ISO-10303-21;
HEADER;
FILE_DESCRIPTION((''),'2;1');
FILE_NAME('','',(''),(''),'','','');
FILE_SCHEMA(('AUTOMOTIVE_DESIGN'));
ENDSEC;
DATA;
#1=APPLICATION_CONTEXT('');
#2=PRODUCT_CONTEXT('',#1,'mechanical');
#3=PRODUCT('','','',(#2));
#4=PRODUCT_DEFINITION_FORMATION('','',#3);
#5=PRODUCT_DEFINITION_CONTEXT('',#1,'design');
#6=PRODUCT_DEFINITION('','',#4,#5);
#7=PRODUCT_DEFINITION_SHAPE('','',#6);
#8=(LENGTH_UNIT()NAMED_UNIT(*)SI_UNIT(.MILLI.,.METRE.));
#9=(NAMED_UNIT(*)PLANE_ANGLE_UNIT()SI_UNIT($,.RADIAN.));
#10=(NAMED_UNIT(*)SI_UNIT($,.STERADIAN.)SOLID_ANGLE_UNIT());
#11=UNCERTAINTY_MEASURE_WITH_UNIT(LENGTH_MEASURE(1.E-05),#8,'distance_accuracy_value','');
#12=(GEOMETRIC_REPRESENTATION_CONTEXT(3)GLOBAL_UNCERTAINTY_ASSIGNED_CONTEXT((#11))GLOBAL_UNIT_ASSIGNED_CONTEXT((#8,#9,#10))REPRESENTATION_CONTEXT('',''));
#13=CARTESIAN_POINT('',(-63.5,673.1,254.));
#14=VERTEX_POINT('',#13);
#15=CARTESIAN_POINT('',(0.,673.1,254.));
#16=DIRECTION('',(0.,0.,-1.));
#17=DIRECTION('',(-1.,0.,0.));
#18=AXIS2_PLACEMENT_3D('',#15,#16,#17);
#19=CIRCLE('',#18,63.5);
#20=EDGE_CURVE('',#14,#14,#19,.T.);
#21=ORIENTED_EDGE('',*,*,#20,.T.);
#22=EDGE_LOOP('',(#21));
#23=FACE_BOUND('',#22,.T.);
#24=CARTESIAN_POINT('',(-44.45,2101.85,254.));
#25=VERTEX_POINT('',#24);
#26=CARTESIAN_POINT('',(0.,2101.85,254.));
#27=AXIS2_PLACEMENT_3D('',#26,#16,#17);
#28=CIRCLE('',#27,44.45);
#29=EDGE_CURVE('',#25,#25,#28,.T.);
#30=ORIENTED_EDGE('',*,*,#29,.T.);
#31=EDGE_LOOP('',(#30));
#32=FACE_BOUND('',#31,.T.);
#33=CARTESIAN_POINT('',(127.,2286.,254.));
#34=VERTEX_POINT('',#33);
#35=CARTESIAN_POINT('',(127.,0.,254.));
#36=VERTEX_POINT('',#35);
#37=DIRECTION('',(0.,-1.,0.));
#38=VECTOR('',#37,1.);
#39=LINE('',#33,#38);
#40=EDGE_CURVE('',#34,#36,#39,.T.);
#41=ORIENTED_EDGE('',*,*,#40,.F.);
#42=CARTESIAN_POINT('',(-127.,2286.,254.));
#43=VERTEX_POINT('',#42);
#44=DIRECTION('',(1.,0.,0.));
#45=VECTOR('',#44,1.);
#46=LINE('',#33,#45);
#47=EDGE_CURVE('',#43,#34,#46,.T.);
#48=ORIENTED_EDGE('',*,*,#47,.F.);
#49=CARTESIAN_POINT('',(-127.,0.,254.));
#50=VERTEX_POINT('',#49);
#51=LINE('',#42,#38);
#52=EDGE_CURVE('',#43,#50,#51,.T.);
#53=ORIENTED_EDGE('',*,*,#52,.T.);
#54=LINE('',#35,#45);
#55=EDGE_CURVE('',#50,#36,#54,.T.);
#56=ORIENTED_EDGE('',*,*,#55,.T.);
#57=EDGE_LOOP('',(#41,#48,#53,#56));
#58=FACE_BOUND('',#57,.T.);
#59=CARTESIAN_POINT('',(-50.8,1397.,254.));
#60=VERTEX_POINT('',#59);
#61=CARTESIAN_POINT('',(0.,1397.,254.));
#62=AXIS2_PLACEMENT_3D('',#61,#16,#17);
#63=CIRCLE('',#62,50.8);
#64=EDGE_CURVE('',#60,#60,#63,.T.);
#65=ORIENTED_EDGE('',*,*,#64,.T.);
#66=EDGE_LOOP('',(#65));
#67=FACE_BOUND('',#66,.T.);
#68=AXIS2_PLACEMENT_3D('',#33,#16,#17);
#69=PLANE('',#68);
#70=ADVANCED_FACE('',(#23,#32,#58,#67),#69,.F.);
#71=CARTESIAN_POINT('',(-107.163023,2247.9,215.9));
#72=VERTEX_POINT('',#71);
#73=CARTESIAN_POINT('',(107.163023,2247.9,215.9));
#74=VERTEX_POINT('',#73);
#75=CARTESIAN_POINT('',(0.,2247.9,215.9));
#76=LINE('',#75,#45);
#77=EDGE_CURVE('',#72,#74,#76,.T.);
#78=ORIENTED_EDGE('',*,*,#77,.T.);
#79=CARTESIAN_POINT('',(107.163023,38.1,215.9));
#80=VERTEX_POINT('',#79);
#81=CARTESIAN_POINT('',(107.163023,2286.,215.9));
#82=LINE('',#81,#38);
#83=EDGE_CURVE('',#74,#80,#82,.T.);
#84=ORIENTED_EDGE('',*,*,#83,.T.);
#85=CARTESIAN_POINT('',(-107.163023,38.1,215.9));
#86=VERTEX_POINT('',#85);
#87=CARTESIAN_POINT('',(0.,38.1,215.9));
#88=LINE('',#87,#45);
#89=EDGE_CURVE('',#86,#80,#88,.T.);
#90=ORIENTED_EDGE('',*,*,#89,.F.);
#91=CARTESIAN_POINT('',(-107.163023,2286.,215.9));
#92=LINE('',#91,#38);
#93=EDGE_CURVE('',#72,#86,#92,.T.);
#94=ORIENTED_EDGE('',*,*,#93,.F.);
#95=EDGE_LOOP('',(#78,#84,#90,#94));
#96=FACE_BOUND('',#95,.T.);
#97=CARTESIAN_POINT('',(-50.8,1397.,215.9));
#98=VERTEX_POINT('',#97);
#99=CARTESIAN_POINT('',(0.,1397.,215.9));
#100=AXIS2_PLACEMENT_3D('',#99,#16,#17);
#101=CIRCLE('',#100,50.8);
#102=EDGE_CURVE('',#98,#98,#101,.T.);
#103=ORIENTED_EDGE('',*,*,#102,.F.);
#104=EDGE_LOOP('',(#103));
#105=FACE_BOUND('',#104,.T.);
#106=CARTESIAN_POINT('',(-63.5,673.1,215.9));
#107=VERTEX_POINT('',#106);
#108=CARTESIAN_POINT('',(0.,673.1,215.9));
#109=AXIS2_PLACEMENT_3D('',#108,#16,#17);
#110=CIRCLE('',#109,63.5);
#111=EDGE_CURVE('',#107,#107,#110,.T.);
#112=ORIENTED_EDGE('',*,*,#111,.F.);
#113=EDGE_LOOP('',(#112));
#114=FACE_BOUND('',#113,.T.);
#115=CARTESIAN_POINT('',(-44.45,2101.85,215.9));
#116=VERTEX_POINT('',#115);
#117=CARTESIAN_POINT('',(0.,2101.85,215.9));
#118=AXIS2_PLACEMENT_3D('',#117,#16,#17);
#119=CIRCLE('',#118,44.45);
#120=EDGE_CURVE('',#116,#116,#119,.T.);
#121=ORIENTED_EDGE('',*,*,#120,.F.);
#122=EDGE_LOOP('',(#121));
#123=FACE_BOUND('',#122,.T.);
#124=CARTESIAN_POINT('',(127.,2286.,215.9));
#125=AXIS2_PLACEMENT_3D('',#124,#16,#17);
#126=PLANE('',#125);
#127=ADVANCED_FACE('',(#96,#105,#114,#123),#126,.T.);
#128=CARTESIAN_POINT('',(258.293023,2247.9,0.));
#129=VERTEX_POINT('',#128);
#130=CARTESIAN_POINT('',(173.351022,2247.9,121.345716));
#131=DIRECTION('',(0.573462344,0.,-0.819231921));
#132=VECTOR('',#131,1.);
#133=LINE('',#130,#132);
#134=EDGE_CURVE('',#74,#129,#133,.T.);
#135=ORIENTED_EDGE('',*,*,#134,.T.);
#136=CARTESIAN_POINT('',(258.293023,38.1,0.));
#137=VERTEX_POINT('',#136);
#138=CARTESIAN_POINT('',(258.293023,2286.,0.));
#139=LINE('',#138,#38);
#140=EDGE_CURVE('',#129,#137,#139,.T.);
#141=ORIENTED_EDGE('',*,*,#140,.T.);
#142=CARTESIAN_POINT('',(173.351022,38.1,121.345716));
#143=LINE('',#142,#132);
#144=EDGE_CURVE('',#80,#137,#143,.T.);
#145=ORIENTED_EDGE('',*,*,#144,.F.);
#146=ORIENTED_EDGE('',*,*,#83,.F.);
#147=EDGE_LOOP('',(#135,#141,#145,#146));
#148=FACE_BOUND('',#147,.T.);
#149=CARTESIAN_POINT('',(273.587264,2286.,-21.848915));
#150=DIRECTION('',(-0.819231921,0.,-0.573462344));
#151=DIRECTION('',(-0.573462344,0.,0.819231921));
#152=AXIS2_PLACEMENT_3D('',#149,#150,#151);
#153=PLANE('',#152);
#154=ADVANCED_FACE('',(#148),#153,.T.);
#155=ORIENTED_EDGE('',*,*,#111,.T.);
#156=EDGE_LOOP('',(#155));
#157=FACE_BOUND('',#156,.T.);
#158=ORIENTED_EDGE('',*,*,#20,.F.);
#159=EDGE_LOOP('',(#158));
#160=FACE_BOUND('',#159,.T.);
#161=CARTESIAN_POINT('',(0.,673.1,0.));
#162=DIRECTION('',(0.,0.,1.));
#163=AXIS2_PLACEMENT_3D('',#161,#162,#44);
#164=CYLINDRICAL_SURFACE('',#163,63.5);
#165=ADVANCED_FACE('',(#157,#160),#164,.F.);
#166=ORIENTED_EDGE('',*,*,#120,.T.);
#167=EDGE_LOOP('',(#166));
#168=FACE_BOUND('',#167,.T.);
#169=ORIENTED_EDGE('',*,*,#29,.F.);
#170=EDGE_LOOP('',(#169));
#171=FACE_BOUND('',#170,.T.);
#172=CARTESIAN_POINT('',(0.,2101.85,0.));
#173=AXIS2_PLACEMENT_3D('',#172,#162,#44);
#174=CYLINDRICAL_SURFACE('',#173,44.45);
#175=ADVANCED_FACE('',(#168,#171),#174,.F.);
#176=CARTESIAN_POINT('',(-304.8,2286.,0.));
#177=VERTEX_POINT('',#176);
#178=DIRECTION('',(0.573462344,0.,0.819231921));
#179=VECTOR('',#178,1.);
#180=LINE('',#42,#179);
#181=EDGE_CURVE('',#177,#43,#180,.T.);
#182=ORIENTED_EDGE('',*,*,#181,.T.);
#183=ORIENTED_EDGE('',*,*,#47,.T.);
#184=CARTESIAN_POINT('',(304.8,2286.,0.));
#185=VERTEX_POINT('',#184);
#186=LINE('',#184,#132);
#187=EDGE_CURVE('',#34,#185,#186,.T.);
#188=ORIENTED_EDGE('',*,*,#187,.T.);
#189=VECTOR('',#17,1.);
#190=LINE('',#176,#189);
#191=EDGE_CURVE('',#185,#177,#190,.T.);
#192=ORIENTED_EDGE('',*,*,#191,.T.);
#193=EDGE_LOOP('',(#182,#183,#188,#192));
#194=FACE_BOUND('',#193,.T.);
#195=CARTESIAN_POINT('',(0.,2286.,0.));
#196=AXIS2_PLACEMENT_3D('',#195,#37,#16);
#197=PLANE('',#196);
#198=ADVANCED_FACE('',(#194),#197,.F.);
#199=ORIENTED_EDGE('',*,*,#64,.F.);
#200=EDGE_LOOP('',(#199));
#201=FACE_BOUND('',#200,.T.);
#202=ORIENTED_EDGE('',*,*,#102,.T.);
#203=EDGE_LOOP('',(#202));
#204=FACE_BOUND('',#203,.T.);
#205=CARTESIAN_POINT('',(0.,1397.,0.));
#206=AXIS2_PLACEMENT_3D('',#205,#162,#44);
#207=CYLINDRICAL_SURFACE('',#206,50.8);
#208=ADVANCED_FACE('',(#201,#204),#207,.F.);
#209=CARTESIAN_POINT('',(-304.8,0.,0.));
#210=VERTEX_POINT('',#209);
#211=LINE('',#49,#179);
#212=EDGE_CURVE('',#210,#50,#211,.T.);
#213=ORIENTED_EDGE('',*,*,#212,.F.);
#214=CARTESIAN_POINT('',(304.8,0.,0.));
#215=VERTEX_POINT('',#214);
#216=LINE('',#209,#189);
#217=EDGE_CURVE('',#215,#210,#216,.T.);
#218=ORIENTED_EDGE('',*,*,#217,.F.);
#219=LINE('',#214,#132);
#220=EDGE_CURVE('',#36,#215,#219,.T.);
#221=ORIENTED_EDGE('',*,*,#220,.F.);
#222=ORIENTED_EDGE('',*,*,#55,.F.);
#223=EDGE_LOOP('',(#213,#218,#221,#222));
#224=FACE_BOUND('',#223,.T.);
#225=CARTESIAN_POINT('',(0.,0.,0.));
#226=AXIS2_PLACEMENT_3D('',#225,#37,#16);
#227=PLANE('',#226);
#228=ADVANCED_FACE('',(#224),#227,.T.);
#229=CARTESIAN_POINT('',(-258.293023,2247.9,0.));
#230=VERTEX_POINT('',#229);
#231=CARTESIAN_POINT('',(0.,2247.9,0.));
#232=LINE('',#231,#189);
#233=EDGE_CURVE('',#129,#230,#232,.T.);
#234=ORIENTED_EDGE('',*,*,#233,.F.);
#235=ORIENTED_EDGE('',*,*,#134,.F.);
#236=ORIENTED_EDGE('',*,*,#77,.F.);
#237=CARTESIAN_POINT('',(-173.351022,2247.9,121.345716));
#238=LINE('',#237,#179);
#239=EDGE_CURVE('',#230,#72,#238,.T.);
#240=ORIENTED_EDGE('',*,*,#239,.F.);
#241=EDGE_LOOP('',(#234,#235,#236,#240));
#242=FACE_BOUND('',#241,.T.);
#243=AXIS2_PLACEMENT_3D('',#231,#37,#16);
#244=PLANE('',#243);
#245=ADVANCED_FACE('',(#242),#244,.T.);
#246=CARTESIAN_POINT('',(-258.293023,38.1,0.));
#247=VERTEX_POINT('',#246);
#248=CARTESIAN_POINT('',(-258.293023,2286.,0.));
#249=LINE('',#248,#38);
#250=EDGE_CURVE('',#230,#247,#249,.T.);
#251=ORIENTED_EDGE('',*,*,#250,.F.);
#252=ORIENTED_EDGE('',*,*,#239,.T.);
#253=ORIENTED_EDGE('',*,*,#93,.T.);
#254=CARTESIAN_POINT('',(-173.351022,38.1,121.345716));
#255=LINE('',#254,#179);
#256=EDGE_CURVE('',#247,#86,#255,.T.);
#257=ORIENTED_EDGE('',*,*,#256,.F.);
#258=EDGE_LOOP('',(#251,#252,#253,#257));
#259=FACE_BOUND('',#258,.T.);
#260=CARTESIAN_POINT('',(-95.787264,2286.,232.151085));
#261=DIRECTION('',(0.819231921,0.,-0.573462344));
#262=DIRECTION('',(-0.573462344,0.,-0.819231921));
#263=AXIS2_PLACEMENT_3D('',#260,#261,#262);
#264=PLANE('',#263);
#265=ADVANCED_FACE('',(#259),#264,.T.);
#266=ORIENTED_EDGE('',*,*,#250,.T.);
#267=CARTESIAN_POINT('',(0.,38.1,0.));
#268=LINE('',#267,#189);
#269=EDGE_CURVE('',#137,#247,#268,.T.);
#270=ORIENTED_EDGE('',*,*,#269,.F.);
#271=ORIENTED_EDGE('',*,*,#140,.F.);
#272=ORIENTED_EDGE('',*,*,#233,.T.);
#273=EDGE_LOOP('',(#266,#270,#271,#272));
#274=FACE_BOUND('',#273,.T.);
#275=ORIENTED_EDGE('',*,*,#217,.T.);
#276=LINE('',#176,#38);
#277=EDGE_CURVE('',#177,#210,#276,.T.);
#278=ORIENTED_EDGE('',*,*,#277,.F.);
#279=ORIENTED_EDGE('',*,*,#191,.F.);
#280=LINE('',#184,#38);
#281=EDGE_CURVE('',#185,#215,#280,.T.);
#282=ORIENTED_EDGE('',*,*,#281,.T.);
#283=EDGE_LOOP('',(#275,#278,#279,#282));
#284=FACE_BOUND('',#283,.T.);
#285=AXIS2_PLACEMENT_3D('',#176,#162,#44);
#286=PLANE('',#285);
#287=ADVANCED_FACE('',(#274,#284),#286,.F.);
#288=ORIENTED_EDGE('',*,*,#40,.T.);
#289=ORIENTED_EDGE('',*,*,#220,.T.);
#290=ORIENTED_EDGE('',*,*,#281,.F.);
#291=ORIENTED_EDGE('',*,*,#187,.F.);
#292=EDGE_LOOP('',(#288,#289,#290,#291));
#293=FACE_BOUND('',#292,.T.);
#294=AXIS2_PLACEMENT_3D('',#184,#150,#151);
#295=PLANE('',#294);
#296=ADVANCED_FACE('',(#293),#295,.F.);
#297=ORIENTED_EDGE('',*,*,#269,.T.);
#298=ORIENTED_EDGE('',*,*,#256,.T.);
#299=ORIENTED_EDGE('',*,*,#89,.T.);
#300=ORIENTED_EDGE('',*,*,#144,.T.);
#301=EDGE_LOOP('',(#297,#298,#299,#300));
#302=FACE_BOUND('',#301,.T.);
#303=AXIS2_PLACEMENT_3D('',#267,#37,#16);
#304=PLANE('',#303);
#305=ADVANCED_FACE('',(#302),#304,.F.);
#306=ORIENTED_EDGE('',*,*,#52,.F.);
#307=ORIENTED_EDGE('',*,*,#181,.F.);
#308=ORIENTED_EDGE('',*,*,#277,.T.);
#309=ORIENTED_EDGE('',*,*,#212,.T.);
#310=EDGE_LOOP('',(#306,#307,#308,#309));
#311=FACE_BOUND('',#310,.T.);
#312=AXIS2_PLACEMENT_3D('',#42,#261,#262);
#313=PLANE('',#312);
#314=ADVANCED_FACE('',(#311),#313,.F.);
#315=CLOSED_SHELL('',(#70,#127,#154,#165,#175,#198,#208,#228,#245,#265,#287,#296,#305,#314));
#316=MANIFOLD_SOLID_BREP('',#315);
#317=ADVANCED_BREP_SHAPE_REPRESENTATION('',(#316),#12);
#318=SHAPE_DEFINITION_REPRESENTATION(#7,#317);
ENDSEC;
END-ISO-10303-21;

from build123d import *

# Parameters (mm, degrees)
BOSS_EXTRUDE1_DEPTH     = 2286
SHELL3_T                = -38.1
CUT_EXTRUDE1_DEPTH      = 2321.175648523
CUT_EXTRUDE1_DEPTH_BACK = 2321.175648523
SKETCH2_R               = 44.45
SKETCH2_R_2             = 50.8
SKETCH2_R_3             = 63.5


with BuildPart() as part:
    # Sketch1 → Boss-Extrude1 (new body)
    with BuildSketch(Plane(origin=(0, 0, 0), x_dir=(1, 0, 0), z_dir=(0, 1, 0))):
        Polygon((-304.8, 0), (304.8, 0), (127, -254), (-127, -254), align=None)
    extrude(amount=BOSS_EXTRUDE1_DEPTH)

    # Shell3
    shell3_openings = [part.faces().sort_by_distance(p)[0] for p in [
        (0, 1143, 0),
    ]]
    offset(amount=SHELL3_T, openings=shell3_openings, kind=Kind.INTERSECTION)

    # Sketch2 → Cut-Extrude1 (cut, two sides: drawn at the far end of the back side and taken through both)
    with BuildSketch(Plane.XY.offset(254).offset(-CUT_EXTRUDE1_DEPTH_BACK)):
        with Locations(Location((0, 2101.85, 0), (0, 0, 180))):
            Circle(SKETCH2_R)
        with Locations(Location((0, 1397, 0), (0, 0, 180))):
            Circle(SKETCH2_R_2)
        with Locations(Location((0, 673.1, 0), (0, 0, 180))):
            Circle(SKETCH2_R_3)
    extrude(amount=CUT_EXTRUDE1_DEPTH + CUT_EXTRUDE1_DEPTH_BACK, mode=Mode.SUBTRACT)


solid = part.part
